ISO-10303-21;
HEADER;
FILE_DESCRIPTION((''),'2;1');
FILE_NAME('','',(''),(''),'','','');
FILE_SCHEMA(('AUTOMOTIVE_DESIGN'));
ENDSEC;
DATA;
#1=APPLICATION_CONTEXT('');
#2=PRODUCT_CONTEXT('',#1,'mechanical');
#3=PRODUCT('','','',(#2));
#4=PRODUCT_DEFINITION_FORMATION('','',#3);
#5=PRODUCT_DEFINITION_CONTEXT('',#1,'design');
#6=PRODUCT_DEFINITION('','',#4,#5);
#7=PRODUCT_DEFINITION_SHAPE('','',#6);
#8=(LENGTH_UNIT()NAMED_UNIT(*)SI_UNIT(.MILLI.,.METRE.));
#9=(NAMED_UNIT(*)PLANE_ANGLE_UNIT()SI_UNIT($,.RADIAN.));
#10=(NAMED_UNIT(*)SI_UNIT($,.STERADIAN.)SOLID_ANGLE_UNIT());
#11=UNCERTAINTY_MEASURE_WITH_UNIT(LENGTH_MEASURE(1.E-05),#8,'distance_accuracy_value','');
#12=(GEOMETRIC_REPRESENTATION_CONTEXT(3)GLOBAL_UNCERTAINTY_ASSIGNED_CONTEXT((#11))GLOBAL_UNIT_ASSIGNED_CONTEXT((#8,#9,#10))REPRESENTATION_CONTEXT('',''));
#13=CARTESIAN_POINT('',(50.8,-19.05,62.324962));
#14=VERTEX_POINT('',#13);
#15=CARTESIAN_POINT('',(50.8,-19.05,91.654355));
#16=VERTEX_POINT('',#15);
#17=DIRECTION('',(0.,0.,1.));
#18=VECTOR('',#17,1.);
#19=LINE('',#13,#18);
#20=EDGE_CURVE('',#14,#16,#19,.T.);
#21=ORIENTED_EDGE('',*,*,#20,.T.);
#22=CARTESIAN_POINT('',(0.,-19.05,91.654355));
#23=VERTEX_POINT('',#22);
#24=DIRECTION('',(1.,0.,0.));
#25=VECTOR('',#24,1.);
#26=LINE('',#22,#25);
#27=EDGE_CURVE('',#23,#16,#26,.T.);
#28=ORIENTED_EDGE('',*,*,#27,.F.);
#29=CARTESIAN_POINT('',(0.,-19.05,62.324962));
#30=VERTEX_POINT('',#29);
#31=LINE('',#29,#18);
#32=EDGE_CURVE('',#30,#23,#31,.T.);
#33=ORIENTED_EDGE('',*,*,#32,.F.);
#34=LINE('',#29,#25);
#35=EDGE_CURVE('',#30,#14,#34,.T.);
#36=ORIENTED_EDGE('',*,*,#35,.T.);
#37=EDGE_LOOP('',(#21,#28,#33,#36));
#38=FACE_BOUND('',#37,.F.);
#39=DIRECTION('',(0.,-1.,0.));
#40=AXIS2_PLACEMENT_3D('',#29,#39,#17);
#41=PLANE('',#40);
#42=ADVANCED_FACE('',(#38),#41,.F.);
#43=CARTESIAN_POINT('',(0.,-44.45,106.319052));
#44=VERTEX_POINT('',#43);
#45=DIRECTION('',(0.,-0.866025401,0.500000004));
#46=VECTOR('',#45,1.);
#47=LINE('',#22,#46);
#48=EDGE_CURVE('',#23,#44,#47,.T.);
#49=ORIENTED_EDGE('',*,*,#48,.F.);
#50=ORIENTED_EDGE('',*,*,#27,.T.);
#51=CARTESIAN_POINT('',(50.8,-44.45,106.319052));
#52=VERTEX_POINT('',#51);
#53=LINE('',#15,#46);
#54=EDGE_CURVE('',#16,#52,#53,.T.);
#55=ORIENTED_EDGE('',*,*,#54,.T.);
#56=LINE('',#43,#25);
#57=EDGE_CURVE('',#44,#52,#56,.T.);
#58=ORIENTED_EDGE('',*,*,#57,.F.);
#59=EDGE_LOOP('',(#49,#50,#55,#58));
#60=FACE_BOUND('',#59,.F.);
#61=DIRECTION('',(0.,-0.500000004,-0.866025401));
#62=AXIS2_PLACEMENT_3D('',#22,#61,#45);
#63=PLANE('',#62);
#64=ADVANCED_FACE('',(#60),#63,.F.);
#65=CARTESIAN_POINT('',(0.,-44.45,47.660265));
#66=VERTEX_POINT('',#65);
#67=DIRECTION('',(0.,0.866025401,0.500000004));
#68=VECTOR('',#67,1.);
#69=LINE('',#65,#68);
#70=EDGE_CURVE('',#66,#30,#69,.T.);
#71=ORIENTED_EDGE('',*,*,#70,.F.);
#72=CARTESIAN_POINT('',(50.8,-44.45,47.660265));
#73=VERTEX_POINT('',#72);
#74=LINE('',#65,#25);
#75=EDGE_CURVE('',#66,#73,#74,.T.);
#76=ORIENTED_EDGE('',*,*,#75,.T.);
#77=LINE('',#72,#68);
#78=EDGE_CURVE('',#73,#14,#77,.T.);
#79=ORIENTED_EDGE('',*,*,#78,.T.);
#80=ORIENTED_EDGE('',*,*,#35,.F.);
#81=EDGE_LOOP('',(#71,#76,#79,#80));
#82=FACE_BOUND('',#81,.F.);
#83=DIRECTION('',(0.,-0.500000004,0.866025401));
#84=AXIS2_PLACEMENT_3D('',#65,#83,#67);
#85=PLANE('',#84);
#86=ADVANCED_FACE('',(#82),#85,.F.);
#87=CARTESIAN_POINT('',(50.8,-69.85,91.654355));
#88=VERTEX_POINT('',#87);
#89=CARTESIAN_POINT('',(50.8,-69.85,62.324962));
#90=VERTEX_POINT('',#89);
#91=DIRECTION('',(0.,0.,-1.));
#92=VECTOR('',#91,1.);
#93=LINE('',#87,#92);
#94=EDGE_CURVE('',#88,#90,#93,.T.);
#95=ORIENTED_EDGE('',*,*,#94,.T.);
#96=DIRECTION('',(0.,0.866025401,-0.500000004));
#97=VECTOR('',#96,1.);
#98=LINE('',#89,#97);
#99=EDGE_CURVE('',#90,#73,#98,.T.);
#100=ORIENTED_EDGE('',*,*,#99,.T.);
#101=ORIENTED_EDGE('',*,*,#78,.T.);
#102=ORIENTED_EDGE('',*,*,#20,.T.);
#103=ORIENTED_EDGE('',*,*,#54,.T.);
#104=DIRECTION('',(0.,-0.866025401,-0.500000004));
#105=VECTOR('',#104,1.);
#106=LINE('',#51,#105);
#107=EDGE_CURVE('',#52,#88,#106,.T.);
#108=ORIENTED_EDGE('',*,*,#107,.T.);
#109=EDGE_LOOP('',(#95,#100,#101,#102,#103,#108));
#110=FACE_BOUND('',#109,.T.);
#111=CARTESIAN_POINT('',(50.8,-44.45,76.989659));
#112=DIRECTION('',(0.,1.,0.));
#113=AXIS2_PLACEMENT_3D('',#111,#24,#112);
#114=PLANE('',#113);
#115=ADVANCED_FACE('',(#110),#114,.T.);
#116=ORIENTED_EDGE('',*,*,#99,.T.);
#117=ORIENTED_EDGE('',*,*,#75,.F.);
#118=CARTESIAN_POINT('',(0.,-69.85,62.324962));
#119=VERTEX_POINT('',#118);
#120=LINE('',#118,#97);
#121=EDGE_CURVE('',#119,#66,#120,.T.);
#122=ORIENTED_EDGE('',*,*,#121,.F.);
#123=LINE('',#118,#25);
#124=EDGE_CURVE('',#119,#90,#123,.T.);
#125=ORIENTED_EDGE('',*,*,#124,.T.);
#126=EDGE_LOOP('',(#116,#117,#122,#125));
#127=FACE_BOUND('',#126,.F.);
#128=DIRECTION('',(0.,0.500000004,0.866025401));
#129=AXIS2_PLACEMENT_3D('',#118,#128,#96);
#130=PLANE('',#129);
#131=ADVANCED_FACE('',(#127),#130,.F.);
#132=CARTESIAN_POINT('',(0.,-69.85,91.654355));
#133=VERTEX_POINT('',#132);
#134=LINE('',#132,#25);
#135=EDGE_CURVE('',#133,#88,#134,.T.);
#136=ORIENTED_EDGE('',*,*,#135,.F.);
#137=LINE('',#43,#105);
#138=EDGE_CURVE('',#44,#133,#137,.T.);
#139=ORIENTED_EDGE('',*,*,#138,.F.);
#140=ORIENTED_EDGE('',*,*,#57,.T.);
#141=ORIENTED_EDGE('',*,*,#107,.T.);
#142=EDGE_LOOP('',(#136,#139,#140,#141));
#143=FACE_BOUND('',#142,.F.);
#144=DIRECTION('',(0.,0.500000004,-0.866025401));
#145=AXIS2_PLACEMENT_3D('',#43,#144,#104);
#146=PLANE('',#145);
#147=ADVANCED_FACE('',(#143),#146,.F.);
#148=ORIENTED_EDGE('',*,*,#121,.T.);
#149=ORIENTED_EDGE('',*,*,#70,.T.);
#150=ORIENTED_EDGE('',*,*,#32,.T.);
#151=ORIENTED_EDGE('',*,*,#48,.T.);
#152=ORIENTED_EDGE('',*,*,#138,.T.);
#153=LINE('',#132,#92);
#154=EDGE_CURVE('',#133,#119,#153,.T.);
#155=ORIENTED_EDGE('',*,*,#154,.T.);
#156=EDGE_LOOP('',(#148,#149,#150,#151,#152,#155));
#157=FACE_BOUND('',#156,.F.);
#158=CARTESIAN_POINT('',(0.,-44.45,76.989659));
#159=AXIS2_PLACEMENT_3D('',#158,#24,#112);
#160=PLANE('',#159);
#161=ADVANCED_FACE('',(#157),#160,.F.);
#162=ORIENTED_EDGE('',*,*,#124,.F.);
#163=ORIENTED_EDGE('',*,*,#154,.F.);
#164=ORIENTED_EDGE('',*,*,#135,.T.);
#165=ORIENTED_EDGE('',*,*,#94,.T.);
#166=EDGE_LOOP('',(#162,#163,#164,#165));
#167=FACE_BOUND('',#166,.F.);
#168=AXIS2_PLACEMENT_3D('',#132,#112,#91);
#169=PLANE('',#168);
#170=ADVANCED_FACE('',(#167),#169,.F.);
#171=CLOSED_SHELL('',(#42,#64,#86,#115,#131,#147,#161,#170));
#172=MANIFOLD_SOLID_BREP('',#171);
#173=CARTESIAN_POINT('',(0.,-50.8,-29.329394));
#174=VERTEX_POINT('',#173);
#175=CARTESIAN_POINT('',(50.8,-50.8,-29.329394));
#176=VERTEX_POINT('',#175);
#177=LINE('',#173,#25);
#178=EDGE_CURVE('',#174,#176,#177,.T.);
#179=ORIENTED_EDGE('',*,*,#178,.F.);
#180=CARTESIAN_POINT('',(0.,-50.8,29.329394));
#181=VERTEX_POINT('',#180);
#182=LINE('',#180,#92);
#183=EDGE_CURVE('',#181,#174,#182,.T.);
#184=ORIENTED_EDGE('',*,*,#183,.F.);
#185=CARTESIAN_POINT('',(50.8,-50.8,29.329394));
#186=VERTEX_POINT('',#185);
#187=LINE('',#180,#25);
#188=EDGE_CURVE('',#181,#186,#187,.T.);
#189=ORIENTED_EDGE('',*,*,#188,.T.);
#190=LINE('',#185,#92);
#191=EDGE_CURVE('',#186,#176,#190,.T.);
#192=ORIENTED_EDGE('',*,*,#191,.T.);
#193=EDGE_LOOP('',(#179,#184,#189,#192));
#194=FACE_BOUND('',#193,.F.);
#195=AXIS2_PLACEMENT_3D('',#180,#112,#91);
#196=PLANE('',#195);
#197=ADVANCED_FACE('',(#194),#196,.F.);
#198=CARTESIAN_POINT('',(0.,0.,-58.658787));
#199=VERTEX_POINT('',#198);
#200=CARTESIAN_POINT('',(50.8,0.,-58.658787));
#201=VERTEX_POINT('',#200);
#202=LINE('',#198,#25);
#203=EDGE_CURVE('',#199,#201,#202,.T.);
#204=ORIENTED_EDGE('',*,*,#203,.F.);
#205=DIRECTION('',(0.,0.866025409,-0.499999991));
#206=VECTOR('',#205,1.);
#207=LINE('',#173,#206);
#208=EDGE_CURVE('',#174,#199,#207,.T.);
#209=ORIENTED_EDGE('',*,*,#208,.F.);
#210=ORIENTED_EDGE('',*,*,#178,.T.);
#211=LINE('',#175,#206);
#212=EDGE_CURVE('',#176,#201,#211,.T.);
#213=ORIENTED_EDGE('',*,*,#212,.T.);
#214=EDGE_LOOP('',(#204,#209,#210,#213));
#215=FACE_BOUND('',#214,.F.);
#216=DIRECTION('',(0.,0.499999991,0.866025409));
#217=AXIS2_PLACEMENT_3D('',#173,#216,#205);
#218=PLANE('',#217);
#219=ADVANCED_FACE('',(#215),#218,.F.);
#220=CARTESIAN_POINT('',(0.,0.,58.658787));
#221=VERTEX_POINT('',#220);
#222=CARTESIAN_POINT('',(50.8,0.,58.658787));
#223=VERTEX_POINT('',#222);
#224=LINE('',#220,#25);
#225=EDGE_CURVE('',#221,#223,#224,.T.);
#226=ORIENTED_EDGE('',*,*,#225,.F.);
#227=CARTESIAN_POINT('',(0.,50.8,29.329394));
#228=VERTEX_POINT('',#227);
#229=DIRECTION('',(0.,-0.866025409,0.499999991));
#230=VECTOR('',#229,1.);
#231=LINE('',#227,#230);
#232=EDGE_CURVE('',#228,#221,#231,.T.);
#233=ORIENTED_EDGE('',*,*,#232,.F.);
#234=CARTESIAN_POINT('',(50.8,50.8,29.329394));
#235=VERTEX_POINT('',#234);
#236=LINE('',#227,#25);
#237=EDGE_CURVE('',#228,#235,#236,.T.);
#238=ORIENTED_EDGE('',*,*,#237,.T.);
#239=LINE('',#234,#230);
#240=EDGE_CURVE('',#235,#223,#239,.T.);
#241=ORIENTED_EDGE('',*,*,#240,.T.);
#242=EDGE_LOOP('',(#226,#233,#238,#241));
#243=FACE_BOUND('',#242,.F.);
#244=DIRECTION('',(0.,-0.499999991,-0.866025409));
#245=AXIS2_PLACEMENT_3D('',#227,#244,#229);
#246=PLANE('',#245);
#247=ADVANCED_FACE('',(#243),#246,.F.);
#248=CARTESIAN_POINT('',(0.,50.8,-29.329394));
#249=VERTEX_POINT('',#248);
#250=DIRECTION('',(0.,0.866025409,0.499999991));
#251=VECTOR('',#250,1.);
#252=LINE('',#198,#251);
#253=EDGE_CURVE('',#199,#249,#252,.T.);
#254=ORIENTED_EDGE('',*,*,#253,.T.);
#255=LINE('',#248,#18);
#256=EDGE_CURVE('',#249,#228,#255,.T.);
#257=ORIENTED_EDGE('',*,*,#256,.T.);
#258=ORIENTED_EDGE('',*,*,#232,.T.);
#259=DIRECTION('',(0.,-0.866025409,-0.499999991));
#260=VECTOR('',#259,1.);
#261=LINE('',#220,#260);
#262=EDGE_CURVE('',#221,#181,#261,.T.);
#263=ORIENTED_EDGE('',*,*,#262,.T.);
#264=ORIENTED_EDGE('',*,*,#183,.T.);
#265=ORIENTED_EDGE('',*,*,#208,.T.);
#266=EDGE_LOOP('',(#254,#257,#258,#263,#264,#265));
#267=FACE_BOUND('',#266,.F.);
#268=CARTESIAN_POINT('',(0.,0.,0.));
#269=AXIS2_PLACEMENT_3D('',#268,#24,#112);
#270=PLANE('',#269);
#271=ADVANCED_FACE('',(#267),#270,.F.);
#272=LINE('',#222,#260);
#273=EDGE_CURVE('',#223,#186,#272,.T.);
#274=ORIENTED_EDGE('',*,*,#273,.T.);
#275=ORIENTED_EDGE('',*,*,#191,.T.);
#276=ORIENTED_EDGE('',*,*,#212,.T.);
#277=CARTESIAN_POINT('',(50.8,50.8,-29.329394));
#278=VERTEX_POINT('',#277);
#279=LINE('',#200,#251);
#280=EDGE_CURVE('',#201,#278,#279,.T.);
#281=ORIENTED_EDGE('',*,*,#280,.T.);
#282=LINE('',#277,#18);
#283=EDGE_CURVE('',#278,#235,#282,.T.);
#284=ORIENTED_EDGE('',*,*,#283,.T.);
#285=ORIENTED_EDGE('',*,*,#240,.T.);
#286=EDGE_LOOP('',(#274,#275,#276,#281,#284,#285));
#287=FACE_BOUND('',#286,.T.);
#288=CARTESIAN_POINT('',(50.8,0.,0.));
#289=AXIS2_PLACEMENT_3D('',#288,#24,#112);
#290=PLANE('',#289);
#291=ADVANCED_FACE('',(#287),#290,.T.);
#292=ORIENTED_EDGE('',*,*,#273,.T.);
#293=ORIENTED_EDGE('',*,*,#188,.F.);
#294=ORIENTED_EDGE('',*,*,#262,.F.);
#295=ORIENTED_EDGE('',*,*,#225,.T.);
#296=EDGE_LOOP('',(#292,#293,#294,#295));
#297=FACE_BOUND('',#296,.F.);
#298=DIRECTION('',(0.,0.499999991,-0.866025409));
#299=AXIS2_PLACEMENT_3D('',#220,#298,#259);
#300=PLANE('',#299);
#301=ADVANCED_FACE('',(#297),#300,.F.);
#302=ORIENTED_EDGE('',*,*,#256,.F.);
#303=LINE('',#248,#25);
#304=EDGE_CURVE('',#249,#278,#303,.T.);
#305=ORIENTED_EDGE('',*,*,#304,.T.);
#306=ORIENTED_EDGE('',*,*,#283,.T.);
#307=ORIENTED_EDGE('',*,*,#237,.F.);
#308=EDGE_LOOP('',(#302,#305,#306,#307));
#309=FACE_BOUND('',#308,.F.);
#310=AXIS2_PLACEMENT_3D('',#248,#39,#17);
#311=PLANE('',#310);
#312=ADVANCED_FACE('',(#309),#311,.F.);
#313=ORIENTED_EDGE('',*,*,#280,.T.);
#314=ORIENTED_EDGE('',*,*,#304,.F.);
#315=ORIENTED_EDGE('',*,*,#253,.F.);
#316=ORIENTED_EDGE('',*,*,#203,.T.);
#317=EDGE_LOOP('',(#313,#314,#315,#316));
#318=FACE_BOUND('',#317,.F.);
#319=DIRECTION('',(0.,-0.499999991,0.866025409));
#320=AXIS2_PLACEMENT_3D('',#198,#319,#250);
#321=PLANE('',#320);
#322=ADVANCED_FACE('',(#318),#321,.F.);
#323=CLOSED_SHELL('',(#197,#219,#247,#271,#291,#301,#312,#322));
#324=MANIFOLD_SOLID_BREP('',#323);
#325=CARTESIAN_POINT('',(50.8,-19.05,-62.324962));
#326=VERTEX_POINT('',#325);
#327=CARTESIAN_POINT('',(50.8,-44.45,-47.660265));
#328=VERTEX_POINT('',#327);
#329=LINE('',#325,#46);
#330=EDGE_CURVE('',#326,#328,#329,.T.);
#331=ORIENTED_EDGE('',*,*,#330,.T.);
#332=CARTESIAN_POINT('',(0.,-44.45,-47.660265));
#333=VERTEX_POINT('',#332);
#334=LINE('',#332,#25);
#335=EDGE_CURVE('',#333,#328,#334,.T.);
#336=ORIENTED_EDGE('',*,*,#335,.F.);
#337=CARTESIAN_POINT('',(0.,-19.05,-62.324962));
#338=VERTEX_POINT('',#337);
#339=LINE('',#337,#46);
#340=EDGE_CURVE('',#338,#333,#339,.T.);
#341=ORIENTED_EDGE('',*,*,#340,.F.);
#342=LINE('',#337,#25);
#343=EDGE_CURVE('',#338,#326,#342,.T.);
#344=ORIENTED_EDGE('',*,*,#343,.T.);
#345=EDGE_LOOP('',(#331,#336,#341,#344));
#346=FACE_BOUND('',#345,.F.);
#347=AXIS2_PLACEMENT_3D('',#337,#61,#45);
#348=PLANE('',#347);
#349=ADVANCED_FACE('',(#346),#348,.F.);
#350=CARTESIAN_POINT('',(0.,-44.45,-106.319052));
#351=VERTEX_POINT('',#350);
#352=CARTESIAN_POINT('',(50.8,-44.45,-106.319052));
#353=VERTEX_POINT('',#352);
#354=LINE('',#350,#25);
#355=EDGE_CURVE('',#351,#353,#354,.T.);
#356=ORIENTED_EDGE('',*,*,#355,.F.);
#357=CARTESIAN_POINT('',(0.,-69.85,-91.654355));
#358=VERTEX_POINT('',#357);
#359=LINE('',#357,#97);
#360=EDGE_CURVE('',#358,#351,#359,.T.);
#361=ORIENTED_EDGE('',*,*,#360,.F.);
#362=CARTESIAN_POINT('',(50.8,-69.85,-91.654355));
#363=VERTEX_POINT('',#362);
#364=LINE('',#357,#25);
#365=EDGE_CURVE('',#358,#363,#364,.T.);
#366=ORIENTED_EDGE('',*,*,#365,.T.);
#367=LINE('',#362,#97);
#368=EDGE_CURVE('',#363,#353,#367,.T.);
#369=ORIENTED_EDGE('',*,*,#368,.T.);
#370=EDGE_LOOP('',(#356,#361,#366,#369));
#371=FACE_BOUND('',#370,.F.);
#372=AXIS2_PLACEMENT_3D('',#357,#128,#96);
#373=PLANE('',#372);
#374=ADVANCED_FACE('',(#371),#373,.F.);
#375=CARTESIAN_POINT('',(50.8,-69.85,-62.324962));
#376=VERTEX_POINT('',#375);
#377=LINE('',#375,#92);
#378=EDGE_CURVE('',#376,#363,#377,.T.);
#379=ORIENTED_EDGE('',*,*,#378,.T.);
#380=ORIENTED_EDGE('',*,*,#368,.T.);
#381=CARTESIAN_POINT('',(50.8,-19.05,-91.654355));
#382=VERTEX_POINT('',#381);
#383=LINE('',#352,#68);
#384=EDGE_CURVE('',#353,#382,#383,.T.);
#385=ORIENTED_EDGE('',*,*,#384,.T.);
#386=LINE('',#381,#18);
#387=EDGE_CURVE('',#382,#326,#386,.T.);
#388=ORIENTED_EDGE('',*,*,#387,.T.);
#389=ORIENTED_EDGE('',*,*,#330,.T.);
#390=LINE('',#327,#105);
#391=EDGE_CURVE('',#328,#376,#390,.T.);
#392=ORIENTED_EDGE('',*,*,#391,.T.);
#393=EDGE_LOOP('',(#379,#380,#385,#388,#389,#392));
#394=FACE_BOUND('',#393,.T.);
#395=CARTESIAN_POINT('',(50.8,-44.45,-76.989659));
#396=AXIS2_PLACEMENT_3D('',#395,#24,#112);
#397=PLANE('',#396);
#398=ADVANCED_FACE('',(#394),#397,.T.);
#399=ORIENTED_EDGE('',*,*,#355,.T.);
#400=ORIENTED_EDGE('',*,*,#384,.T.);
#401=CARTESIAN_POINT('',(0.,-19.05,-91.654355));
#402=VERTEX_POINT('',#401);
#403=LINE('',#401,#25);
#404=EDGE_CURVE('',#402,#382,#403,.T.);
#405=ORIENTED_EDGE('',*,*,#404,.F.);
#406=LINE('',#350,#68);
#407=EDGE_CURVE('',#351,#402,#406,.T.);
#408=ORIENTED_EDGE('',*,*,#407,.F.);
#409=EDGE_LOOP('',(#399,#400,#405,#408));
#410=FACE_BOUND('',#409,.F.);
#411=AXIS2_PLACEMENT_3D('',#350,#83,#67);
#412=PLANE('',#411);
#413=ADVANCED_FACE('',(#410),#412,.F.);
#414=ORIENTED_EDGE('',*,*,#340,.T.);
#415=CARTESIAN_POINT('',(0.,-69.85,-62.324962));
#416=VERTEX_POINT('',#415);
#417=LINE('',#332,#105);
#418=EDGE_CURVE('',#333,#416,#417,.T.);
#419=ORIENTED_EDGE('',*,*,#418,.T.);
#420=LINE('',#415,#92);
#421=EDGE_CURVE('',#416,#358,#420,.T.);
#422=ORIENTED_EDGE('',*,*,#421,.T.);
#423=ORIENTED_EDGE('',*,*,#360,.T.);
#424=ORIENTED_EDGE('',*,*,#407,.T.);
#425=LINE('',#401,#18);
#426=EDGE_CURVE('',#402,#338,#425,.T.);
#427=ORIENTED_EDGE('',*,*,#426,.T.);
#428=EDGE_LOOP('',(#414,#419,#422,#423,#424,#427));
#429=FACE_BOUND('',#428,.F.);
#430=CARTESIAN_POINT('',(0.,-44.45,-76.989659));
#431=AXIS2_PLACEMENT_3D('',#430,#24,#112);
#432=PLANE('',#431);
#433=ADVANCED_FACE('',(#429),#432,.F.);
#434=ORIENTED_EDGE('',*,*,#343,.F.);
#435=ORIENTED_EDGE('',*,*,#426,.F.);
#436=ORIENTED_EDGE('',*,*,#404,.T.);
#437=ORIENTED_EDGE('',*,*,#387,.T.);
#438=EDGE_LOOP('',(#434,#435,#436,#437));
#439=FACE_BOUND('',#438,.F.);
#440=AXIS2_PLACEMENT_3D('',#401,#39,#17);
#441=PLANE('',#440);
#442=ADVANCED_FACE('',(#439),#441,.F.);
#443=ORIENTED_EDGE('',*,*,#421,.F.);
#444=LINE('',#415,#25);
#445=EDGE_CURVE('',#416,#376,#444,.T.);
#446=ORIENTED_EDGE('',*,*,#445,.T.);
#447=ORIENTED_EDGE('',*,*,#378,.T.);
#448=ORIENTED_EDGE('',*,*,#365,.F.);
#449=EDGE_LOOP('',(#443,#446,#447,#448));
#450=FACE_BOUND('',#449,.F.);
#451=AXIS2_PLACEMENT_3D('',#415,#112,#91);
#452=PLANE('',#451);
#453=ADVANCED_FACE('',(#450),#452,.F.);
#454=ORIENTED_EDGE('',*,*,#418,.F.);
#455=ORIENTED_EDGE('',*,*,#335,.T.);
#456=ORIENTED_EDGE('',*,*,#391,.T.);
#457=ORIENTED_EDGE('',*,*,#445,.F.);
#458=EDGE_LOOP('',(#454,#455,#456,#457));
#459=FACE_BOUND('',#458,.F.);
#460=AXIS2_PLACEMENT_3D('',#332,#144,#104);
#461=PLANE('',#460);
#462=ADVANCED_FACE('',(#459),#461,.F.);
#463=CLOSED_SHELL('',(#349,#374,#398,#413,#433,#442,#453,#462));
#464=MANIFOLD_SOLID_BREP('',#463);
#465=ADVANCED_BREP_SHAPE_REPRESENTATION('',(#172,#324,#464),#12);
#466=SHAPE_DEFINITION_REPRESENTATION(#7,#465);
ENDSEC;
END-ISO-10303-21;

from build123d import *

# Parameters (mm, degrees)
F1_DEPTH = 50.8


with BuildPart() as f1:
    # F0 (on Right) → F1 (new body)
    with BuildSketch(Plane.YZ):
        Polygon((50.8, 29.329394), (0, 58.658787), (-50.8, 29.329394), (-50.8, -29.329394), (0, -58.658787), (50.8, -29.329394), align=None)
        Polygon((-19.05, -62.324962), (-44.45, -47.660265), (-69.85, -62.324962), (-69.85, -91.654355), (-44.45, -106.319052), (-19.05, -91.654355), align=None)
        Polygon((-19.05, 91.654355), (-44.45, 106.319052), (-69.85, 91.654355), (-69.85, 62.324962), (-44.45, 47.660265), (-19.05, 62.324962), align=None)
    extrude(amount=F1_DEPTH)


solid = f1.part
